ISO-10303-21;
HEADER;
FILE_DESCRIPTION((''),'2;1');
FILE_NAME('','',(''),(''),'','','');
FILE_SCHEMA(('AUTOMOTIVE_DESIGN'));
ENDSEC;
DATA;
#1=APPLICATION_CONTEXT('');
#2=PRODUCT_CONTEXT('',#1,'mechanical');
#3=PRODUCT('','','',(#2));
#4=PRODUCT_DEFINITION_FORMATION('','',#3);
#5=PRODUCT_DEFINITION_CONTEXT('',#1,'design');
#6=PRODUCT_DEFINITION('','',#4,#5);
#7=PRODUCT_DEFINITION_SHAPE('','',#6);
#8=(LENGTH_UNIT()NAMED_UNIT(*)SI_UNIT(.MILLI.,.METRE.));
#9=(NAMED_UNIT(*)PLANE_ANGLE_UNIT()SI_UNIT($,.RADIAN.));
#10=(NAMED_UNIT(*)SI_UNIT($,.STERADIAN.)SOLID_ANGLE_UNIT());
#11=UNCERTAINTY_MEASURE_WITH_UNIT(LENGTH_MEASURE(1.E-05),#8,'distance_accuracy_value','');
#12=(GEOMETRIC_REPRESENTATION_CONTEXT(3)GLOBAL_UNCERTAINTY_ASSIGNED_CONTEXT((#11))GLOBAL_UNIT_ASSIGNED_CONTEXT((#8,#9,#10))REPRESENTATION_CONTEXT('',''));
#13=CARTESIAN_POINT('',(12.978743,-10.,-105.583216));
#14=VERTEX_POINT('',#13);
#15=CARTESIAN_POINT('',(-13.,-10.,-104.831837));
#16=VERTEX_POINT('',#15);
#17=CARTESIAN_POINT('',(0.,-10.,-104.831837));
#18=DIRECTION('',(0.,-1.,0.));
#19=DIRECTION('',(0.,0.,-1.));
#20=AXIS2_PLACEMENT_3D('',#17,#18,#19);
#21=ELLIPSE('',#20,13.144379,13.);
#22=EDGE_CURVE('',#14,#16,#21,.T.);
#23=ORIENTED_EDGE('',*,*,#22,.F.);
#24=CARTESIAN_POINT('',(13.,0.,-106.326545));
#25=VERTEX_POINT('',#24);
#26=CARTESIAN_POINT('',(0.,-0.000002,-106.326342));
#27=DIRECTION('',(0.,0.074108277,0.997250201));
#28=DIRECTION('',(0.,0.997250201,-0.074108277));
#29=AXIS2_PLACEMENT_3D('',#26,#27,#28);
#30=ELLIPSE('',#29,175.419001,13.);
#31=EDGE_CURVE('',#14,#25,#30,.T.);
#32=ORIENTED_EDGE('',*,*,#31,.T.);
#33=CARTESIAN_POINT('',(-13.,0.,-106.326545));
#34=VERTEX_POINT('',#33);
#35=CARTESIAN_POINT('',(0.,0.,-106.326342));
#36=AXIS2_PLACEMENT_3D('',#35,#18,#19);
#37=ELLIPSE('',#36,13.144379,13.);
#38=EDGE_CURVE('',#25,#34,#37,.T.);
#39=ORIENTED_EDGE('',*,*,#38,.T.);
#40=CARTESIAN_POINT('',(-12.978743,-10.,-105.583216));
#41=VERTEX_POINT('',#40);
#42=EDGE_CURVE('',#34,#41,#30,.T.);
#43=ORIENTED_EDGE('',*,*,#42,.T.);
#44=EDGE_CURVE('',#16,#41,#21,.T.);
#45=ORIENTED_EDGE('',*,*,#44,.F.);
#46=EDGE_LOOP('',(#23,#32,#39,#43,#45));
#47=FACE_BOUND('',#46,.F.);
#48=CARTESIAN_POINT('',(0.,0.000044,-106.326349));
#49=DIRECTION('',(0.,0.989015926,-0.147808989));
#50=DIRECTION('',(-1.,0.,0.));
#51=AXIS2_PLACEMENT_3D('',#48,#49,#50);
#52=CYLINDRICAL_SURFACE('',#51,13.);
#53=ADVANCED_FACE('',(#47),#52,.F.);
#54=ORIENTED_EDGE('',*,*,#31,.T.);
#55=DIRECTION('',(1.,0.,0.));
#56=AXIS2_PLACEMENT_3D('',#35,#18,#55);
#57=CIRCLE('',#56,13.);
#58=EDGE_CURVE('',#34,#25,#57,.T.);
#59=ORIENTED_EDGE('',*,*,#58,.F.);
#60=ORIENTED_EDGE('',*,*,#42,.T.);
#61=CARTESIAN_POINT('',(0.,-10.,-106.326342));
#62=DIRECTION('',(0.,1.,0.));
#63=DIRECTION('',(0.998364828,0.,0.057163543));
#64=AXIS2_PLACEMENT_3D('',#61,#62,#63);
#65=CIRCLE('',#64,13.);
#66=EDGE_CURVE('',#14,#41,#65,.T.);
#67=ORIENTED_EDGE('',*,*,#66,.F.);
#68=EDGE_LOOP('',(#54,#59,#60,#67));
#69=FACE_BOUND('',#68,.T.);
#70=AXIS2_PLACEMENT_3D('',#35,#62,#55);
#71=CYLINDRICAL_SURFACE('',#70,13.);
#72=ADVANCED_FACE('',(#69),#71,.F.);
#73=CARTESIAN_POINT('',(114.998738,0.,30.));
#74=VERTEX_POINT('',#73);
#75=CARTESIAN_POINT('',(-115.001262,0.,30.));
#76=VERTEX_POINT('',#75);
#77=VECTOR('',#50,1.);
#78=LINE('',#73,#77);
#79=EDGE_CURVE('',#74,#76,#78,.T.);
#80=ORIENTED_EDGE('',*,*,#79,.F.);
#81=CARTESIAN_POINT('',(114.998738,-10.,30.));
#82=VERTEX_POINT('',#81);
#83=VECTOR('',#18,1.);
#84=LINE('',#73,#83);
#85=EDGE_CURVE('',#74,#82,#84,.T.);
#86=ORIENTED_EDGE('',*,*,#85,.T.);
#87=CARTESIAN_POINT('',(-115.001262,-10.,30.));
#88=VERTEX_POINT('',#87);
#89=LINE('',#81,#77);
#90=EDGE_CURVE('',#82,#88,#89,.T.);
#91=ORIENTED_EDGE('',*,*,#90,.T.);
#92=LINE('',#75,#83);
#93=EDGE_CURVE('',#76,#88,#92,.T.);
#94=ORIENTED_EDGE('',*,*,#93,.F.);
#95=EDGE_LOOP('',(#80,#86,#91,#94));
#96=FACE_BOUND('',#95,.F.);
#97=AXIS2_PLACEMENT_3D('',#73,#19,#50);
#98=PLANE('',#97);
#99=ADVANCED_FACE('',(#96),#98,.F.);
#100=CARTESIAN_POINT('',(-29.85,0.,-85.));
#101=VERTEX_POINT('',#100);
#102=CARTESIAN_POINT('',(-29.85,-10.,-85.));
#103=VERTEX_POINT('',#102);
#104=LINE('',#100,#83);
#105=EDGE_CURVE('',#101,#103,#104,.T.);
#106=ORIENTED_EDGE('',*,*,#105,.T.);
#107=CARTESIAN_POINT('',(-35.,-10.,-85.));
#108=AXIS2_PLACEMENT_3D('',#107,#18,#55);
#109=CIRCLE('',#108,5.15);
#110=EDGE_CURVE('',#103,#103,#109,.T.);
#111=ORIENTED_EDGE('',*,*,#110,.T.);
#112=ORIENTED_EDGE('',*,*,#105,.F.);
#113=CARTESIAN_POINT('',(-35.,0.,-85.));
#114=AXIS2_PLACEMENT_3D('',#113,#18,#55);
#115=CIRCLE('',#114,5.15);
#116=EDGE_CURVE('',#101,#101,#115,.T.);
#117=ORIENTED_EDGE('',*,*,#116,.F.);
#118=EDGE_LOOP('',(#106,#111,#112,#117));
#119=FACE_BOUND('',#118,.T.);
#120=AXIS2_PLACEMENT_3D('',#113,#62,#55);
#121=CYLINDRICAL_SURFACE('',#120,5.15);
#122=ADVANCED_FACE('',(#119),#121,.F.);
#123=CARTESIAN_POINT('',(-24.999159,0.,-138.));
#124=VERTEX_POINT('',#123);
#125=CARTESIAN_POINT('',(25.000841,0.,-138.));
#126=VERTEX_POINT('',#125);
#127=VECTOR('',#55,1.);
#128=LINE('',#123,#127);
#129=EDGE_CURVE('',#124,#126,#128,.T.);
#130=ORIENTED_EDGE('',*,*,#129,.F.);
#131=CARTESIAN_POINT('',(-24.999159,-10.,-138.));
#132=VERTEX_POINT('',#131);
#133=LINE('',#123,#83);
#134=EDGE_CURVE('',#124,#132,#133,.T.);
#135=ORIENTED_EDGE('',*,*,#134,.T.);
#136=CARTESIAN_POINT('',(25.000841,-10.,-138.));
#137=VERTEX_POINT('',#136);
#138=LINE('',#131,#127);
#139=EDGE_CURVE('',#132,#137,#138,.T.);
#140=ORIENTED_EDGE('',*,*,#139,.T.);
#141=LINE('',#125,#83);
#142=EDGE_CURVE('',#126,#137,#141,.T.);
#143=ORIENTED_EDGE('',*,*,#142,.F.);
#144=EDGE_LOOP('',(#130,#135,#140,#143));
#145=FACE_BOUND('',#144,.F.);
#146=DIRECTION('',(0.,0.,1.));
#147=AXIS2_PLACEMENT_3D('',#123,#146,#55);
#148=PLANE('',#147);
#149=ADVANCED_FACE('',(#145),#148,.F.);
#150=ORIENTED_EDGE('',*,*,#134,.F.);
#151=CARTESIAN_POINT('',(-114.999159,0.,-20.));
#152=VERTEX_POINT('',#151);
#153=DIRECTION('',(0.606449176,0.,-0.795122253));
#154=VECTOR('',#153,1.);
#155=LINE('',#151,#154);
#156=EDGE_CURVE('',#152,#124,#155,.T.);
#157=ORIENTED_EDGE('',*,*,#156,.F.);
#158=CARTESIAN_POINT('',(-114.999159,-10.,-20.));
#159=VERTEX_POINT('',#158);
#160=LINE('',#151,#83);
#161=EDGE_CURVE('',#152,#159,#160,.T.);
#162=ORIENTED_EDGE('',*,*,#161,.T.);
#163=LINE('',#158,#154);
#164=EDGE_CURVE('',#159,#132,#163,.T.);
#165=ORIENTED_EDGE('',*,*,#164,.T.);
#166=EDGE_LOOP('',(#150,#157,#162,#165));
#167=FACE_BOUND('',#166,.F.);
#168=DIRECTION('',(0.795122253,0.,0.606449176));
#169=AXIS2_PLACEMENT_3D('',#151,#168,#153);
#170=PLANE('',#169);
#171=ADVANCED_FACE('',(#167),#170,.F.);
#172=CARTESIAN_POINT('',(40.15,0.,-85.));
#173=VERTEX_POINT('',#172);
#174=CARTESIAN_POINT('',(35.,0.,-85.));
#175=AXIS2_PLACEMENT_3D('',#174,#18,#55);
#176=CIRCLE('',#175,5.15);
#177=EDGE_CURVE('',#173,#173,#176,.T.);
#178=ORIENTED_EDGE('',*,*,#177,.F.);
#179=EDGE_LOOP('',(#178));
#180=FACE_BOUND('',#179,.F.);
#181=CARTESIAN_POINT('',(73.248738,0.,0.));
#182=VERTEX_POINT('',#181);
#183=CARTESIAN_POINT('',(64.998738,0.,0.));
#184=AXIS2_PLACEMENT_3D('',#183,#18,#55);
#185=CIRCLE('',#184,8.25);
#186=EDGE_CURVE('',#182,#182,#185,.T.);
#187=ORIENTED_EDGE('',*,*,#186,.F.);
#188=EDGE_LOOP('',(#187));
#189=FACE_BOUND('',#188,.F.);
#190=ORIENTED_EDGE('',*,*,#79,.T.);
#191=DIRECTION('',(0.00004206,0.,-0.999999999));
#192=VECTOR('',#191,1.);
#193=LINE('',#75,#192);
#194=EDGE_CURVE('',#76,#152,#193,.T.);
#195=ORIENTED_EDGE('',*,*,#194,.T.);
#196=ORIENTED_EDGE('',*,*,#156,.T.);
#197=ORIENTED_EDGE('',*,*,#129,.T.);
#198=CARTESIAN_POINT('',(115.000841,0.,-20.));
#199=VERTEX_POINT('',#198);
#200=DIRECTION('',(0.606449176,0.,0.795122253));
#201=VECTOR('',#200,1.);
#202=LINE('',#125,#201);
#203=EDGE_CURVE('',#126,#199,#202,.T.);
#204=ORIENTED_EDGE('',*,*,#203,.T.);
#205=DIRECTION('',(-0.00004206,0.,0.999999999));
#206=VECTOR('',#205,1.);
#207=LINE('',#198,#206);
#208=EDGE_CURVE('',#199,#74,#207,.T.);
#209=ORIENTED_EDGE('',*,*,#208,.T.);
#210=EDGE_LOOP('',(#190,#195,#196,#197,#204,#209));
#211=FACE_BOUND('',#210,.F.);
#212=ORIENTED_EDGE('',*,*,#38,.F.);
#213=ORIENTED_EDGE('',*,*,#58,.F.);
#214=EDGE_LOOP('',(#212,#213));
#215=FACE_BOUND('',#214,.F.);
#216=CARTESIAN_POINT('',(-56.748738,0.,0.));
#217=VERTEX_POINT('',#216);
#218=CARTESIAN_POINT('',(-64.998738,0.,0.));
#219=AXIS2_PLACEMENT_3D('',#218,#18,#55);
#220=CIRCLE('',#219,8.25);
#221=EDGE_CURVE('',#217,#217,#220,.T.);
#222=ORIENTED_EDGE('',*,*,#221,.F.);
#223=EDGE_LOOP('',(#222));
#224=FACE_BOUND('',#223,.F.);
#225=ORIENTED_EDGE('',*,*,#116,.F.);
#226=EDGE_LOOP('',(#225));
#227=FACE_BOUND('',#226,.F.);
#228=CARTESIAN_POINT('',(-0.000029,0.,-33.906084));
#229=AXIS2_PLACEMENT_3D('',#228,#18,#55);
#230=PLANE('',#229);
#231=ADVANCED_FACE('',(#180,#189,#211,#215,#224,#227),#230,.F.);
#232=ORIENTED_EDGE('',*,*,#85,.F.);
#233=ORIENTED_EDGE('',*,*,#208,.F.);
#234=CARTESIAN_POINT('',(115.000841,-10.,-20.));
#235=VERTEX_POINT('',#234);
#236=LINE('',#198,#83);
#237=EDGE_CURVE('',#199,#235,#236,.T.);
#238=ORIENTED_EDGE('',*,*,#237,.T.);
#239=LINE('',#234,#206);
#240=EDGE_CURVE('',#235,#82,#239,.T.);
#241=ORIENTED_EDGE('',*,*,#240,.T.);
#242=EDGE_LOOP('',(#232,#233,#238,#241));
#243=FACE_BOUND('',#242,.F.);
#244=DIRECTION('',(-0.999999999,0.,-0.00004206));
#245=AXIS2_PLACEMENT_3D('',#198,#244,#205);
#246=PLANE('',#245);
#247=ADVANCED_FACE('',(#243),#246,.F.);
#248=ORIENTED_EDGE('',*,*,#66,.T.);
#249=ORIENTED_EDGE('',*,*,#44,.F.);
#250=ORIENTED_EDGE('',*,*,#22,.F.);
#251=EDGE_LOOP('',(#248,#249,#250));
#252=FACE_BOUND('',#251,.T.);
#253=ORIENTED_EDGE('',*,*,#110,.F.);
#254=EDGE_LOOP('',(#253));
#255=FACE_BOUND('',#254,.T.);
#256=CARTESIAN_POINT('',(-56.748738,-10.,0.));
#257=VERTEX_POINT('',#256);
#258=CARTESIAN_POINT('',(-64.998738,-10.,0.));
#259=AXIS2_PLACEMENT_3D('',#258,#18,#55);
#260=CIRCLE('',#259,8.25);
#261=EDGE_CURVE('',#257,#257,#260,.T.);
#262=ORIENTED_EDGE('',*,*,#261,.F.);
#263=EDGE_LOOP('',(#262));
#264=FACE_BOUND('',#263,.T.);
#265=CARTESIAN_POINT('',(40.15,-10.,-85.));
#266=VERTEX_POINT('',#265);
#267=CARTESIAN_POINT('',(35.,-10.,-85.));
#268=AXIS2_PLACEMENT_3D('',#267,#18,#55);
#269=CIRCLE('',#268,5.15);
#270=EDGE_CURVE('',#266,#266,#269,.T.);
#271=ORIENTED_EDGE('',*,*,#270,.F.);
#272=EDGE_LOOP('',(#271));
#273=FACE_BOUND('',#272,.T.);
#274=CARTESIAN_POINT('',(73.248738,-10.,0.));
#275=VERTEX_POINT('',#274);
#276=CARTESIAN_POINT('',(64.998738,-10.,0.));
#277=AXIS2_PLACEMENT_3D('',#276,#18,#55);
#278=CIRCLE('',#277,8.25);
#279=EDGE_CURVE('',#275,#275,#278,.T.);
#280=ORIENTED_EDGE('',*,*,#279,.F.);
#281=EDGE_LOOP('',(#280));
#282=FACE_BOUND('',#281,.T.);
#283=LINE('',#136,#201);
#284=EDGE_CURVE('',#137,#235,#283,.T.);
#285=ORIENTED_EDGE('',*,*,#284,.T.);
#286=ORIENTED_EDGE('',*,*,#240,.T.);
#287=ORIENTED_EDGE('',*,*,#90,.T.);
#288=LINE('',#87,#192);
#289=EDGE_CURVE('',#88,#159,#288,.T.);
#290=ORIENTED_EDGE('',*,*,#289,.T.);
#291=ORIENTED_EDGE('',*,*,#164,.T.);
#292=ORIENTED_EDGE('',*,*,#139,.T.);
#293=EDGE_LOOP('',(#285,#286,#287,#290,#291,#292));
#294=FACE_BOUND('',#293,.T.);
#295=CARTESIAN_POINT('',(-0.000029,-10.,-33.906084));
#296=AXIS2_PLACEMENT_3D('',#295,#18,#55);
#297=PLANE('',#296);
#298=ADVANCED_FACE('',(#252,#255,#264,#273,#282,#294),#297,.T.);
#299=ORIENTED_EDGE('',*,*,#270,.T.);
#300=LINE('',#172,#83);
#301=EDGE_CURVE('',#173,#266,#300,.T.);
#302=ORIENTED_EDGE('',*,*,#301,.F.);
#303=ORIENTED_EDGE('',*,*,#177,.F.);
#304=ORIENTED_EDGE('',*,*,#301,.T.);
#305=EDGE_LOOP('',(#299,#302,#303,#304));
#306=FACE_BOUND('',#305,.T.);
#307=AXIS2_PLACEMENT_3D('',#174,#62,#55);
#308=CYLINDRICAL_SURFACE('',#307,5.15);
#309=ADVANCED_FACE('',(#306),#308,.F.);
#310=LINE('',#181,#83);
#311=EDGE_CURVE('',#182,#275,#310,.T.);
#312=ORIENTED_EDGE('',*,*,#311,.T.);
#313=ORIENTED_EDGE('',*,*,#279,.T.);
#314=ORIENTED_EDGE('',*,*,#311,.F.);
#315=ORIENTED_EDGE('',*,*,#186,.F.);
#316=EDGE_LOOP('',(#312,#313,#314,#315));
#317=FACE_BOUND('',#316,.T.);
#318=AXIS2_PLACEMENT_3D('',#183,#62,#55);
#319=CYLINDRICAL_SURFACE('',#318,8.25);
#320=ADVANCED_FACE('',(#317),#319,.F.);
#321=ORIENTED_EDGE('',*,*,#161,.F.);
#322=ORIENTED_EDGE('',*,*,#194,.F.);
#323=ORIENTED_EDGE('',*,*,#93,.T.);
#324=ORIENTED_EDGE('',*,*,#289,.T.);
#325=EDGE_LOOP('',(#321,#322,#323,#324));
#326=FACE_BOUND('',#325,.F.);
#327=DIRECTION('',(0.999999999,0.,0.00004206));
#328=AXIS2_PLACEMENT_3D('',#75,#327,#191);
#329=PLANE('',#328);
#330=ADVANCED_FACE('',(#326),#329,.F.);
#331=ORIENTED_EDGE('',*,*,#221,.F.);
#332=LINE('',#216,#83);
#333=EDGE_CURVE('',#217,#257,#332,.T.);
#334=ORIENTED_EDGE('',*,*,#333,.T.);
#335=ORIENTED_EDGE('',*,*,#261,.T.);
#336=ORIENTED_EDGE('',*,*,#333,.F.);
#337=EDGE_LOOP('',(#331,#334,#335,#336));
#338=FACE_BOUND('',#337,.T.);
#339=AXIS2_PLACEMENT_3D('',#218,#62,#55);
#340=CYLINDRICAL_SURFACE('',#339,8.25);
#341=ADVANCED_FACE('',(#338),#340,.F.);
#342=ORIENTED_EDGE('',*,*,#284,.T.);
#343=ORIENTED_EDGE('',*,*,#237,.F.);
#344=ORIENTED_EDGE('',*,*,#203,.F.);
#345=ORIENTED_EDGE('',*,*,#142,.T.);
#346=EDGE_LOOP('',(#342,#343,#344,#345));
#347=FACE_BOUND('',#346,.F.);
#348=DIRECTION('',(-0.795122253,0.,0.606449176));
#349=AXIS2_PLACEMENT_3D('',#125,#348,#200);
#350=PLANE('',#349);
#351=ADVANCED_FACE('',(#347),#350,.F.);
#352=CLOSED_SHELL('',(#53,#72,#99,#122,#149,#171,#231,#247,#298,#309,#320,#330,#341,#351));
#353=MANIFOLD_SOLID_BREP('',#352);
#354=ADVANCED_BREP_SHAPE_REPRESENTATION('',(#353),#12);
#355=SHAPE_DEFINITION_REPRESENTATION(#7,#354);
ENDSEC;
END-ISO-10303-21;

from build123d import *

# Parameters (mm, degrees)
F0_R     = 5.15
F0_R_2   = 13
F0_R_3   = 8.25
F1_DEPTH = 10
F3_R     = 13
F4_DEPTH = 30.041475


with BuildPart() as f1:
    # F0 (on Front) → F1 (new body)
    with BuildSketch(Plane.XZ):
        Polygon((115.000841, -20), (114.998738, 30), (-115.001262, 30), (-114.999159, -20), (-24.999159, -138), (25.000841, -138), align=None)
        with Locations((-35, -85)):
            Circle(F0_R, mode=Mode.SUBTRACT)
        with Locations((0, -106.326342)):
            Circle(F0_R_2, mode=Mode.SUBTRACT)
        with Locations((35, -85)):
            Circle(F0_R, mode=Mode.SUBTRACT)
        with Locations((-64.998738, 0)):
            Circle(F0_R_3, mode=Mode.SUBTRACT)
        with Locations((64.998738, 0)):
            Circle(F0_R_3, mode=Mode.SUBTRACT)
    extrude(amount=F1_DEPTH)

    # F3 (on face) → F4 (cut, through all)
    with BuildSketch(Plane(origin=(0, 15.543407, -2.322978), x_dir=(-1, 0, 0), z_dir=(0, 0.989016, -0.147809))):
        with Locations((0, -105.158439)):
            Circle(F3_R)
    extrude(amount=-F4_DEPTH, mode=Mode.SUBTRACT)


solid = f1.part
